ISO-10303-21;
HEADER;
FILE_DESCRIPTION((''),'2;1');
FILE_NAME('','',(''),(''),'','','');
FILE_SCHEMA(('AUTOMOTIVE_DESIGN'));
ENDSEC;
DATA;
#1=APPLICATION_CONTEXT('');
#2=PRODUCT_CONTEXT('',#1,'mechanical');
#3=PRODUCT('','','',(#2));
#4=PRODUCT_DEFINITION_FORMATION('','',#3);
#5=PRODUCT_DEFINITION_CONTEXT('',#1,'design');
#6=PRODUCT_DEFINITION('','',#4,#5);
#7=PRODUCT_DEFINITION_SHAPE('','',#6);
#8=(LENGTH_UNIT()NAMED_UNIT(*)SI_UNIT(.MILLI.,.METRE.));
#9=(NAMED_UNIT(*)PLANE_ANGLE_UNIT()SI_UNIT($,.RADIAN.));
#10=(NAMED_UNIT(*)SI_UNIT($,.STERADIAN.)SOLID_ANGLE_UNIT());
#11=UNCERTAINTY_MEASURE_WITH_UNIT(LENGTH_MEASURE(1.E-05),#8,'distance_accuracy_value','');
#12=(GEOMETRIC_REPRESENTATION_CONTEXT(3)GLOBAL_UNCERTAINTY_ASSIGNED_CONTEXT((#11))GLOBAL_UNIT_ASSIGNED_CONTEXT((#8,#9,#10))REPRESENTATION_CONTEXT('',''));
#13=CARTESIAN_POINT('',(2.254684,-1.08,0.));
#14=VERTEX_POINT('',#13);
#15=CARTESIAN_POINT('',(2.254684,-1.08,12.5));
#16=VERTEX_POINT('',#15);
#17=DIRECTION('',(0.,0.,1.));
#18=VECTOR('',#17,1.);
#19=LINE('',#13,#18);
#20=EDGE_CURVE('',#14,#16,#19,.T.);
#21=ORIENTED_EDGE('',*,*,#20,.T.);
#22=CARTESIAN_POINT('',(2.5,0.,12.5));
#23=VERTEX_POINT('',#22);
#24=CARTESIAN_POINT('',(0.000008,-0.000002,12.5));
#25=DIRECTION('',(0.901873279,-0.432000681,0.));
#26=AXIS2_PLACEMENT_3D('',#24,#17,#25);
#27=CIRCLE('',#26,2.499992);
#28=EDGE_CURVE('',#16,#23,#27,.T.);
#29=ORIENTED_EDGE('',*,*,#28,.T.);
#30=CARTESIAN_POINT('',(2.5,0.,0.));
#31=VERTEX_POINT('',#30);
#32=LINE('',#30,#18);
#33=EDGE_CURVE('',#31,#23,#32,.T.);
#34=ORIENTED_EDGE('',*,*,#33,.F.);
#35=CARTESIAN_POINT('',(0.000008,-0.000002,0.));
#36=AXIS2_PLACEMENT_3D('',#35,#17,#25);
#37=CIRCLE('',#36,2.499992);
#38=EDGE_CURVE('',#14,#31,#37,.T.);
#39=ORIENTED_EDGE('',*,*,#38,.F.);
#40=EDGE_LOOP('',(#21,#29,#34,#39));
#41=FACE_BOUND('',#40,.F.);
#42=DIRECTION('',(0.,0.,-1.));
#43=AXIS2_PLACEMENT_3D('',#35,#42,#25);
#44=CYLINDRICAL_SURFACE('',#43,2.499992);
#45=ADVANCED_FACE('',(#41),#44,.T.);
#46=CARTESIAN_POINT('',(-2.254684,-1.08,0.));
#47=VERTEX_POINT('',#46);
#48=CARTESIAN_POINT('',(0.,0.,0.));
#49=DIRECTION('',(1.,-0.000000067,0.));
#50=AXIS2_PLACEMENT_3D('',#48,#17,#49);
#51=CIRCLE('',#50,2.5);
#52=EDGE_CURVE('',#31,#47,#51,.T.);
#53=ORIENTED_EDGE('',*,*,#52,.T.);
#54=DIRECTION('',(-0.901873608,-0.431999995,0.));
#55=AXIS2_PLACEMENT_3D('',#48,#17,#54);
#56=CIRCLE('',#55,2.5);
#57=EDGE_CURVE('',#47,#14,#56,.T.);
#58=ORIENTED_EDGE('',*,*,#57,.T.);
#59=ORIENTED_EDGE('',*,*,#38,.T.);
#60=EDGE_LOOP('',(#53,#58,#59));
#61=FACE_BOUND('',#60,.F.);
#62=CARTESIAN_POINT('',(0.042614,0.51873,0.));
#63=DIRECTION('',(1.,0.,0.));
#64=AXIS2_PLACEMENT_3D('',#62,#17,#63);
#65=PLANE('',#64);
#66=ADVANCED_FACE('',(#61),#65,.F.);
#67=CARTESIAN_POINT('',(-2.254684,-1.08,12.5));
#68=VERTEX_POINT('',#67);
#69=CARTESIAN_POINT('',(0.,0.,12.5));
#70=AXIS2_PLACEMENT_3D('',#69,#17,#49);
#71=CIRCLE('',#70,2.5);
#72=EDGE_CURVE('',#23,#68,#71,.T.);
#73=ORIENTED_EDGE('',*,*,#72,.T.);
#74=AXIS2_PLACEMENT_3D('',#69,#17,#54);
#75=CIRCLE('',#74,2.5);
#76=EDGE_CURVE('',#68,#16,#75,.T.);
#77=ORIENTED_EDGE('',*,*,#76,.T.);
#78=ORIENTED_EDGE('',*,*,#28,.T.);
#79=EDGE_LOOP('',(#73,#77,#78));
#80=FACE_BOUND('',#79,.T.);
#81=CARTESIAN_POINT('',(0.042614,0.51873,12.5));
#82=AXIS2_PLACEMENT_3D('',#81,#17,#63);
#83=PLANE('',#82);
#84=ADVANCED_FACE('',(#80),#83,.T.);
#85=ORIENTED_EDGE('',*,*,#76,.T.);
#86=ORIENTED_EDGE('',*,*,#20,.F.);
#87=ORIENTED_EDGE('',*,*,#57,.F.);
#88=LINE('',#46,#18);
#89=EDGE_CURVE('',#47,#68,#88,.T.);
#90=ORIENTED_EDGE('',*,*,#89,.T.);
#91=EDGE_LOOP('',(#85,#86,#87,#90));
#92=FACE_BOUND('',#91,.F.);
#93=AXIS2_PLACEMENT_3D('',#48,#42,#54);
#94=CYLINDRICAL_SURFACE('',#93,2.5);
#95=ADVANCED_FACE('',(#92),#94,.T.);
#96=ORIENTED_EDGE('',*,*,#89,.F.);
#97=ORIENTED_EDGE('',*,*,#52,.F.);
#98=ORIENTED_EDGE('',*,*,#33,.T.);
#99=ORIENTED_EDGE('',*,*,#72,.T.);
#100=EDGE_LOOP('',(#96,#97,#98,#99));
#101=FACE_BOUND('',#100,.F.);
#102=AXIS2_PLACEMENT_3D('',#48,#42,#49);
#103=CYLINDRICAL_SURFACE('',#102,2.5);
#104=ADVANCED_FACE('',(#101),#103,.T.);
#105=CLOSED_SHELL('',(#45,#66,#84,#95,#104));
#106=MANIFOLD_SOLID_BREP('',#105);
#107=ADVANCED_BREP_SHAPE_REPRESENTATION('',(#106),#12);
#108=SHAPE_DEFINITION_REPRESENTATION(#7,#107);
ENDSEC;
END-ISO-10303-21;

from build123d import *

# Parameters (mm, degrees)
F1_DEPTH = 12.5


with BuildPart() as f1:
    # F0 (on Top) → F1 (new body)
    with BuildSketch(Plane.XY):
        with BuildLine():
            ThreePointArc((2.254684, -1.08), (2.4379, -0.553755), (2.5, 0))
            ThreePointArc((2.5, 0), (-0.553755, 2.4379), (-2.254684, -1.08))
            Line((-2.254684, -1.08), (-1.166919, -1.08))
            ThreePointArc((-1.166919, -1.08), (-0.579956, 1.480456), (1.59, 0))
            ThreePointArc((1.59, 0), (1.480456, -0.579956), (1.166919, -1.08))
            Line((1.166919, -1.08), (2.254684, -1.08))
        make_face()
        with BuildLine():
            Line((-1.166919, -1.08), (-2.254684, -1.08))
            ThreePointArc((-2.254684, -1.08), (0, -2.5), (2.254684, -1.08))
            Line((2.254684, -1.08), (1.166919, -1.08))
            ThreePointArc((1.166919, -1.08), (0, -1.59), (-1.166919, -1.08))
        make_face()
        with BuildLine():
            Line((1.166919, -1.08), (-1.166919, -1.08))
            ThreePointArc((-1.166919, -1.08), (0, -1.59), (1.166919, -1.08))
        make_face()
        with BuildLine():
            ThreePointArc((1.59, 0), (-0.579956, 1.480456), (-1.166919, -1.08))
            Line((-1.166919, -1.08), (1.166919, -1.08))
            ThreePointArc((1.166919, -1.08), (1.480456, -0.579956), (1.59, 0))
        make_face()
    extrude(amount=F1_DEPTH)


solid = f1.part
